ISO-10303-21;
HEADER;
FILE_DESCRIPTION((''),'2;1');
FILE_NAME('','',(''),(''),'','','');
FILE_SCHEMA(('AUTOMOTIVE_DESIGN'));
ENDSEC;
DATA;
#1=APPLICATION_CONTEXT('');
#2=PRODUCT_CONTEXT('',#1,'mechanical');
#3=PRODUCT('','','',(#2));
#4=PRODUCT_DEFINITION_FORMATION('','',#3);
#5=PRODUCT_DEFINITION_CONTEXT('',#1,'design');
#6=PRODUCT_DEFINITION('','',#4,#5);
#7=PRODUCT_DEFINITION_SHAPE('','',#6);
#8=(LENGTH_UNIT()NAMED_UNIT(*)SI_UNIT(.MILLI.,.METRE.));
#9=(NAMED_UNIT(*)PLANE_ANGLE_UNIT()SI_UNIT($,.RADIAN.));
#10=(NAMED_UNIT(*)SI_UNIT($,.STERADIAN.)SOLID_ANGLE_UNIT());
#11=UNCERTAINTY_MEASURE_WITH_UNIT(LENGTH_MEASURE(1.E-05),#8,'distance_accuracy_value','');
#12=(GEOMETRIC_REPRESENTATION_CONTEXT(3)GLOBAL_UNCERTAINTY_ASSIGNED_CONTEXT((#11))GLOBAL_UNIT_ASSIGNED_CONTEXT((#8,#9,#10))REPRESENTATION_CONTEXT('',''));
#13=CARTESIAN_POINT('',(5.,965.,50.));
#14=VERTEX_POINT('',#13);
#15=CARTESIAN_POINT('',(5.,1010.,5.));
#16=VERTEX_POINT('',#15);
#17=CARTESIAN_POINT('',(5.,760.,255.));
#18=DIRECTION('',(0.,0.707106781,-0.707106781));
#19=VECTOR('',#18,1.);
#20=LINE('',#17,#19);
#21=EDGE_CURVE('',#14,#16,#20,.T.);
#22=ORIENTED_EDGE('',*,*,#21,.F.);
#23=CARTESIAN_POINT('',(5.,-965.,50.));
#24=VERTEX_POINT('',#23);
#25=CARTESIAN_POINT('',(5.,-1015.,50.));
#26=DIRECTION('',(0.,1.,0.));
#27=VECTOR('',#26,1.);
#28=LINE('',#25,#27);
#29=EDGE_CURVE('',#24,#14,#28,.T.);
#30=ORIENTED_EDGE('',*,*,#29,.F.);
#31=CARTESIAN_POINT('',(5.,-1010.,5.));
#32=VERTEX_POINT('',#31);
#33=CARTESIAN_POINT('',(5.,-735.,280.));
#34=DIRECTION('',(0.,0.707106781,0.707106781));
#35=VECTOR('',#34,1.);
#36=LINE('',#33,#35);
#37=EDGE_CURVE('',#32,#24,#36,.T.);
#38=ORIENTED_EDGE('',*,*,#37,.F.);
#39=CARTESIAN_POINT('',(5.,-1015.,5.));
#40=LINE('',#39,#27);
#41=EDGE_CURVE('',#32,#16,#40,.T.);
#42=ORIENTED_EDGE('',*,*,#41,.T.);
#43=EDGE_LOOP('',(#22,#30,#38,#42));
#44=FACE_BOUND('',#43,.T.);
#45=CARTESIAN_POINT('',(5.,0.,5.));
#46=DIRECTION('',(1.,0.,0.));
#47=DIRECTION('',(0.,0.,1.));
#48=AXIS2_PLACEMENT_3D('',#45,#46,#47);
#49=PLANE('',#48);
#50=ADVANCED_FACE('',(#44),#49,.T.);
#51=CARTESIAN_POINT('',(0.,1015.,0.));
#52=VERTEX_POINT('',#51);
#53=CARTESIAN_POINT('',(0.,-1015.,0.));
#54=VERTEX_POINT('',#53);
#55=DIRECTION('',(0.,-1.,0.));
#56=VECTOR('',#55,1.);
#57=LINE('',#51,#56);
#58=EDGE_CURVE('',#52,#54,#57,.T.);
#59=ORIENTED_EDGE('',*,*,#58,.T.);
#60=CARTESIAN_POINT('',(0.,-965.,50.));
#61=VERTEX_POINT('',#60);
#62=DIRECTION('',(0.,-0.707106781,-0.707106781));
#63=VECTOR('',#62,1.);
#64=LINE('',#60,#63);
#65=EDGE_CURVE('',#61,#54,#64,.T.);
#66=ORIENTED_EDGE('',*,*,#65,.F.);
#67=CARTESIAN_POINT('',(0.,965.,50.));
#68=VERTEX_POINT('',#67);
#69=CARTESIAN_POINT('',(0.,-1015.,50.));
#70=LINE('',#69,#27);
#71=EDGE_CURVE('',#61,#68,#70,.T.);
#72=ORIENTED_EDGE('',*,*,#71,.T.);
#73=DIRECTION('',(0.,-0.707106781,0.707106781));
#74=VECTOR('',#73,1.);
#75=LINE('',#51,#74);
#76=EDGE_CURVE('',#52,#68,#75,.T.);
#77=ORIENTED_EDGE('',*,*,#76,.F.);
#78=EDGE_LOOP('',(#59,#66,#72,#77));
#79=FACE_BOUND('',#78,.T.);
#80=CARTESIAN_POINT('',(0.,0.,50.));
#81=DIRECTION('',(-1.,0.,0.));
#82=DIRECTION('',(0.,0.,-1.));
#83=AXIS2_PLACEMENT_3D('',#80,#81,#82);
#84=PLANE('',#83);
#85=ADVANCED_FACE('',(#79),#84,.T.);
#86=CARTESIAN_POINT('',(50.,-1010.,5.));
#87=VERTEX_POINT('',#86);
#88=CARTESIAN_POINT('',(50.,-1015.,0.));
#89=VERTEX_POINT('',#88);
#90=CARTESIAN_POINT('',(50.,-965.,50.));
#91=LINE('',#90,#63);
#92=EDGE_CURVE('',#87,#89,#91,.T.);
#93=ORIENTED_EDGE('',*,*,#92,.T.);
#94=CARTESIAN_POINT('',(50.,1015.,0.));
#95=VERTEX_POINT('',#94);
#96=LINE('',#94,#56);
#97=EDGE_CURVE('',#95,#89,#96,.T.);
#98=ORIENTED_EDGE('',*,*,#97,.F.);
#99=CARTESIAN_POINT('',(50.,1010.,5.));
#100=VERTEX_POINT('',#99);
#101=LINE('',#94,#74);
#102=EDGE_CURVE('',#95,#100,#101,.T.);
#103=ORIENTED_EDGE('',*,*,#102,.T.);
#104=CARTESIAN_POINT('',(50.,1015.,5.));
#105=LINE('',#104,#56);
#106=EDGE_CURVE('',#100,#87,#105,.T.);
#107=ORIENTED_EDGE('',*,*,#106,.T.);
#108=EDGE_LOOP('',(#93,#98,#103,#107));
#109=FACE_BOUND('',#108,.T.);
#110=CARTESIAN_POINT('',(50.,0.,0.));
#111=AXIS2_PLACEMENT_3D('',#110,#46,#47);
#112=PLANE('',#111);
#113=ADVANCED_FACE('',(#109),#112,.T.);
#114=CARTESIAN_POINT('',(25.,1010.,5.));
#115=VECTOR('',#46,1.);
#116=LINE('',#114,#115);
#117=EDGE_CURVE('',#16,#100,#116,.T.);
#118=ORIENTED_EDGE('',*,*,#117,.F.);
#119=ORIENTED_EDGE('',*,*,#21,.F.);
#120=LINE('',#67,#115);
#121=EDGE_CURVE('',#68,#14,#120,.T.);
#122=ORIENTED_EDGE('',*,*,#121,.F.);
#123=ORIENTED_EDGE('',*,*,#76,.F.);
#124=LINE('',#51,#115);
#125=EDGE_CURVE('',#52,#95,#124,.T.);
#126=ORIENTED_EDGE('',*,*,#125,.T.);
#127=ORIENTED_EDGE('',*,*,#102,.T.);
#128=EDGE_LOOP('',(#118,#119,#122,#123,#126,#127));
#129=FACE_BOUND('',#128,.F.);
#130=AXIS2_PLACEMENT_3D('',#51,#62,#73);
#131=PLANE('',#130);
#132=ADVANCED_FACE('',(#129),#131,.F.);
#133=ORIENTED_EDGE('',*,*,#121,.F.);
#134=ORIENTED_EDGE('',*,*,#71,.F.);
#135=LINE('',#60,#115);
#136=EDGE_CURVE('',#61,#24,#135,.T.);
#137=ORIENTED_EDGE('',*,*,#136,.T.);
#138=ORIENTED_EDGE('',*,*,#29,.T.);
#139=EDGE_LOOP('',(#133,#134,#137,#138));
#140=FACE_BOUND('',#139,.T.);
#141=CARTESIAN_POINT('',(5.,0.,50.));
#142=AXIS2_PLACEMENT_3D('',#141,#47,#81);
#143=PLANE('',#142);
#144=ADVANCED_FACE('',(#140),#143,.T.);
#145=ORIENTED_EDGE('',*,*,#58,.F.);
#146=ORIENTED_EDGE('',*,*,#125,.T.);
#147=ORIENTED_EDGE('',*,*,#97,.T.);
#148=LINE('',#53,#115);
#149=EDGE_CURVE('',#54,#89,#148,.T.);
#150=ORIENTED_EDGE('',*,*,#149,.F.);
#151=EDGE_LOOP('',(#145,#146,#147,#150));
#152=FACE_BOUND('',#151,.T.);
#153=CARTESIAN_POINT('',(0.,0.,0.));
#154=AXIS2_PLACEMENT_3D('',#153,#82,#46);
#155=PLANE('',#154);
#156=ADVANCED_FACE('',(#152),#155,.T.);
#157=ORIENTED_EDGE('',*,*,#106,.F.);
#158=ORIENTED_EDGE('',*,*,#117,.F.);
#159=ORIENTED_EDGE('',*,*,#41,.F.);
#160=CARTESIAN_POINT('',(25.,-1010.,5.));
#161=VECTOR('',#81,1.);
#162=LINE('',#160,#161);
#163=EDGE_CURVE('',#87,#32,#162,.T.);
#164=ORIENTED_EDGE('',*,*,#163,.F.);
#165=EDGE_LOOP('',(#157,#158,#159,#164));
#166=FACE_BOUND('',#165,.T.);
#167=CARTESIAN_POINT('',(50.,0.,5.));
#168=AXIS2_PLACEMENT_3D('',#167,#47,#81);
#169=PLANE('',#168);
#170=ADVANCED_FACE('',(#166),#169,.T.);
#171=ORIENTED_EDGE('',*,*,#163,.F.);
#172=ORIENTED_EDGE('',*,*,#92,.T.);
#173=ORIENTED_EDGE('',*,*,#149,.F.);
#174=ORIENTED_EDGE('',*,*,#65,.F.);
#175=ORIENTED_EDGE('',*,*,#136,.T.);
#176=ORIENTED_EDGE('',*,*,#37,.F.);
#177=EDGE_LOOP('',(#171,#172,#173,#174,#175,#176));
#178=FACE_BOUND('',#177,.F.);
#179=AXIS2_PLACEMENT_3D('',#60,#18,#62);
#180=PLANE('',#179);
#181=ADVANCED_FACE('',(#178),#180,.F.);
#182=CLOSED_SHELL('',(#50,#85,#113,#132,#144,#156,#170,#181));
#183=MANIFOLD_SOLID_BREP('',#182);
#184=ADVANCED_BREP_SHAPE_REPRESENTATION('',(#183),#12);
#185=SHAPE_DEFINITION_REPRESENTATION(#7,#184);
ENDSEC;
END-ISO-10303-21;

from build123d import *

# Parameters (mm, degrees)
F1_DEPTH = 1015
F3_DEPTH = 50


with BuildPart() as f1:
    # F0 (on Front) → F1 (new body, symmetric)
    with BuildSketch(Plane.XZ):
        Polygon((0, 50), (0, 0), (50, 0), (50, 5), (5, 5), (5, 50), align=None)
    extrude(amount=F1_DEPTH, both=True)

    # F2 (on face) → F3 (cut)
    with BuildSketch(Plane(origin=(0, 0, 0), x_dir=(0, -1, 0), z_dir=(-1, 0, 0))):
        Polygon((-1015, 50), (-1015, 0), (-965, 50), align=None)
        Polygon((965, 50), (1015, 0), (1015, 50), align=None)
    extrude(amount=-F3_DEPTH, mode=Mode.SUBTRACT)


solid = f1.part
